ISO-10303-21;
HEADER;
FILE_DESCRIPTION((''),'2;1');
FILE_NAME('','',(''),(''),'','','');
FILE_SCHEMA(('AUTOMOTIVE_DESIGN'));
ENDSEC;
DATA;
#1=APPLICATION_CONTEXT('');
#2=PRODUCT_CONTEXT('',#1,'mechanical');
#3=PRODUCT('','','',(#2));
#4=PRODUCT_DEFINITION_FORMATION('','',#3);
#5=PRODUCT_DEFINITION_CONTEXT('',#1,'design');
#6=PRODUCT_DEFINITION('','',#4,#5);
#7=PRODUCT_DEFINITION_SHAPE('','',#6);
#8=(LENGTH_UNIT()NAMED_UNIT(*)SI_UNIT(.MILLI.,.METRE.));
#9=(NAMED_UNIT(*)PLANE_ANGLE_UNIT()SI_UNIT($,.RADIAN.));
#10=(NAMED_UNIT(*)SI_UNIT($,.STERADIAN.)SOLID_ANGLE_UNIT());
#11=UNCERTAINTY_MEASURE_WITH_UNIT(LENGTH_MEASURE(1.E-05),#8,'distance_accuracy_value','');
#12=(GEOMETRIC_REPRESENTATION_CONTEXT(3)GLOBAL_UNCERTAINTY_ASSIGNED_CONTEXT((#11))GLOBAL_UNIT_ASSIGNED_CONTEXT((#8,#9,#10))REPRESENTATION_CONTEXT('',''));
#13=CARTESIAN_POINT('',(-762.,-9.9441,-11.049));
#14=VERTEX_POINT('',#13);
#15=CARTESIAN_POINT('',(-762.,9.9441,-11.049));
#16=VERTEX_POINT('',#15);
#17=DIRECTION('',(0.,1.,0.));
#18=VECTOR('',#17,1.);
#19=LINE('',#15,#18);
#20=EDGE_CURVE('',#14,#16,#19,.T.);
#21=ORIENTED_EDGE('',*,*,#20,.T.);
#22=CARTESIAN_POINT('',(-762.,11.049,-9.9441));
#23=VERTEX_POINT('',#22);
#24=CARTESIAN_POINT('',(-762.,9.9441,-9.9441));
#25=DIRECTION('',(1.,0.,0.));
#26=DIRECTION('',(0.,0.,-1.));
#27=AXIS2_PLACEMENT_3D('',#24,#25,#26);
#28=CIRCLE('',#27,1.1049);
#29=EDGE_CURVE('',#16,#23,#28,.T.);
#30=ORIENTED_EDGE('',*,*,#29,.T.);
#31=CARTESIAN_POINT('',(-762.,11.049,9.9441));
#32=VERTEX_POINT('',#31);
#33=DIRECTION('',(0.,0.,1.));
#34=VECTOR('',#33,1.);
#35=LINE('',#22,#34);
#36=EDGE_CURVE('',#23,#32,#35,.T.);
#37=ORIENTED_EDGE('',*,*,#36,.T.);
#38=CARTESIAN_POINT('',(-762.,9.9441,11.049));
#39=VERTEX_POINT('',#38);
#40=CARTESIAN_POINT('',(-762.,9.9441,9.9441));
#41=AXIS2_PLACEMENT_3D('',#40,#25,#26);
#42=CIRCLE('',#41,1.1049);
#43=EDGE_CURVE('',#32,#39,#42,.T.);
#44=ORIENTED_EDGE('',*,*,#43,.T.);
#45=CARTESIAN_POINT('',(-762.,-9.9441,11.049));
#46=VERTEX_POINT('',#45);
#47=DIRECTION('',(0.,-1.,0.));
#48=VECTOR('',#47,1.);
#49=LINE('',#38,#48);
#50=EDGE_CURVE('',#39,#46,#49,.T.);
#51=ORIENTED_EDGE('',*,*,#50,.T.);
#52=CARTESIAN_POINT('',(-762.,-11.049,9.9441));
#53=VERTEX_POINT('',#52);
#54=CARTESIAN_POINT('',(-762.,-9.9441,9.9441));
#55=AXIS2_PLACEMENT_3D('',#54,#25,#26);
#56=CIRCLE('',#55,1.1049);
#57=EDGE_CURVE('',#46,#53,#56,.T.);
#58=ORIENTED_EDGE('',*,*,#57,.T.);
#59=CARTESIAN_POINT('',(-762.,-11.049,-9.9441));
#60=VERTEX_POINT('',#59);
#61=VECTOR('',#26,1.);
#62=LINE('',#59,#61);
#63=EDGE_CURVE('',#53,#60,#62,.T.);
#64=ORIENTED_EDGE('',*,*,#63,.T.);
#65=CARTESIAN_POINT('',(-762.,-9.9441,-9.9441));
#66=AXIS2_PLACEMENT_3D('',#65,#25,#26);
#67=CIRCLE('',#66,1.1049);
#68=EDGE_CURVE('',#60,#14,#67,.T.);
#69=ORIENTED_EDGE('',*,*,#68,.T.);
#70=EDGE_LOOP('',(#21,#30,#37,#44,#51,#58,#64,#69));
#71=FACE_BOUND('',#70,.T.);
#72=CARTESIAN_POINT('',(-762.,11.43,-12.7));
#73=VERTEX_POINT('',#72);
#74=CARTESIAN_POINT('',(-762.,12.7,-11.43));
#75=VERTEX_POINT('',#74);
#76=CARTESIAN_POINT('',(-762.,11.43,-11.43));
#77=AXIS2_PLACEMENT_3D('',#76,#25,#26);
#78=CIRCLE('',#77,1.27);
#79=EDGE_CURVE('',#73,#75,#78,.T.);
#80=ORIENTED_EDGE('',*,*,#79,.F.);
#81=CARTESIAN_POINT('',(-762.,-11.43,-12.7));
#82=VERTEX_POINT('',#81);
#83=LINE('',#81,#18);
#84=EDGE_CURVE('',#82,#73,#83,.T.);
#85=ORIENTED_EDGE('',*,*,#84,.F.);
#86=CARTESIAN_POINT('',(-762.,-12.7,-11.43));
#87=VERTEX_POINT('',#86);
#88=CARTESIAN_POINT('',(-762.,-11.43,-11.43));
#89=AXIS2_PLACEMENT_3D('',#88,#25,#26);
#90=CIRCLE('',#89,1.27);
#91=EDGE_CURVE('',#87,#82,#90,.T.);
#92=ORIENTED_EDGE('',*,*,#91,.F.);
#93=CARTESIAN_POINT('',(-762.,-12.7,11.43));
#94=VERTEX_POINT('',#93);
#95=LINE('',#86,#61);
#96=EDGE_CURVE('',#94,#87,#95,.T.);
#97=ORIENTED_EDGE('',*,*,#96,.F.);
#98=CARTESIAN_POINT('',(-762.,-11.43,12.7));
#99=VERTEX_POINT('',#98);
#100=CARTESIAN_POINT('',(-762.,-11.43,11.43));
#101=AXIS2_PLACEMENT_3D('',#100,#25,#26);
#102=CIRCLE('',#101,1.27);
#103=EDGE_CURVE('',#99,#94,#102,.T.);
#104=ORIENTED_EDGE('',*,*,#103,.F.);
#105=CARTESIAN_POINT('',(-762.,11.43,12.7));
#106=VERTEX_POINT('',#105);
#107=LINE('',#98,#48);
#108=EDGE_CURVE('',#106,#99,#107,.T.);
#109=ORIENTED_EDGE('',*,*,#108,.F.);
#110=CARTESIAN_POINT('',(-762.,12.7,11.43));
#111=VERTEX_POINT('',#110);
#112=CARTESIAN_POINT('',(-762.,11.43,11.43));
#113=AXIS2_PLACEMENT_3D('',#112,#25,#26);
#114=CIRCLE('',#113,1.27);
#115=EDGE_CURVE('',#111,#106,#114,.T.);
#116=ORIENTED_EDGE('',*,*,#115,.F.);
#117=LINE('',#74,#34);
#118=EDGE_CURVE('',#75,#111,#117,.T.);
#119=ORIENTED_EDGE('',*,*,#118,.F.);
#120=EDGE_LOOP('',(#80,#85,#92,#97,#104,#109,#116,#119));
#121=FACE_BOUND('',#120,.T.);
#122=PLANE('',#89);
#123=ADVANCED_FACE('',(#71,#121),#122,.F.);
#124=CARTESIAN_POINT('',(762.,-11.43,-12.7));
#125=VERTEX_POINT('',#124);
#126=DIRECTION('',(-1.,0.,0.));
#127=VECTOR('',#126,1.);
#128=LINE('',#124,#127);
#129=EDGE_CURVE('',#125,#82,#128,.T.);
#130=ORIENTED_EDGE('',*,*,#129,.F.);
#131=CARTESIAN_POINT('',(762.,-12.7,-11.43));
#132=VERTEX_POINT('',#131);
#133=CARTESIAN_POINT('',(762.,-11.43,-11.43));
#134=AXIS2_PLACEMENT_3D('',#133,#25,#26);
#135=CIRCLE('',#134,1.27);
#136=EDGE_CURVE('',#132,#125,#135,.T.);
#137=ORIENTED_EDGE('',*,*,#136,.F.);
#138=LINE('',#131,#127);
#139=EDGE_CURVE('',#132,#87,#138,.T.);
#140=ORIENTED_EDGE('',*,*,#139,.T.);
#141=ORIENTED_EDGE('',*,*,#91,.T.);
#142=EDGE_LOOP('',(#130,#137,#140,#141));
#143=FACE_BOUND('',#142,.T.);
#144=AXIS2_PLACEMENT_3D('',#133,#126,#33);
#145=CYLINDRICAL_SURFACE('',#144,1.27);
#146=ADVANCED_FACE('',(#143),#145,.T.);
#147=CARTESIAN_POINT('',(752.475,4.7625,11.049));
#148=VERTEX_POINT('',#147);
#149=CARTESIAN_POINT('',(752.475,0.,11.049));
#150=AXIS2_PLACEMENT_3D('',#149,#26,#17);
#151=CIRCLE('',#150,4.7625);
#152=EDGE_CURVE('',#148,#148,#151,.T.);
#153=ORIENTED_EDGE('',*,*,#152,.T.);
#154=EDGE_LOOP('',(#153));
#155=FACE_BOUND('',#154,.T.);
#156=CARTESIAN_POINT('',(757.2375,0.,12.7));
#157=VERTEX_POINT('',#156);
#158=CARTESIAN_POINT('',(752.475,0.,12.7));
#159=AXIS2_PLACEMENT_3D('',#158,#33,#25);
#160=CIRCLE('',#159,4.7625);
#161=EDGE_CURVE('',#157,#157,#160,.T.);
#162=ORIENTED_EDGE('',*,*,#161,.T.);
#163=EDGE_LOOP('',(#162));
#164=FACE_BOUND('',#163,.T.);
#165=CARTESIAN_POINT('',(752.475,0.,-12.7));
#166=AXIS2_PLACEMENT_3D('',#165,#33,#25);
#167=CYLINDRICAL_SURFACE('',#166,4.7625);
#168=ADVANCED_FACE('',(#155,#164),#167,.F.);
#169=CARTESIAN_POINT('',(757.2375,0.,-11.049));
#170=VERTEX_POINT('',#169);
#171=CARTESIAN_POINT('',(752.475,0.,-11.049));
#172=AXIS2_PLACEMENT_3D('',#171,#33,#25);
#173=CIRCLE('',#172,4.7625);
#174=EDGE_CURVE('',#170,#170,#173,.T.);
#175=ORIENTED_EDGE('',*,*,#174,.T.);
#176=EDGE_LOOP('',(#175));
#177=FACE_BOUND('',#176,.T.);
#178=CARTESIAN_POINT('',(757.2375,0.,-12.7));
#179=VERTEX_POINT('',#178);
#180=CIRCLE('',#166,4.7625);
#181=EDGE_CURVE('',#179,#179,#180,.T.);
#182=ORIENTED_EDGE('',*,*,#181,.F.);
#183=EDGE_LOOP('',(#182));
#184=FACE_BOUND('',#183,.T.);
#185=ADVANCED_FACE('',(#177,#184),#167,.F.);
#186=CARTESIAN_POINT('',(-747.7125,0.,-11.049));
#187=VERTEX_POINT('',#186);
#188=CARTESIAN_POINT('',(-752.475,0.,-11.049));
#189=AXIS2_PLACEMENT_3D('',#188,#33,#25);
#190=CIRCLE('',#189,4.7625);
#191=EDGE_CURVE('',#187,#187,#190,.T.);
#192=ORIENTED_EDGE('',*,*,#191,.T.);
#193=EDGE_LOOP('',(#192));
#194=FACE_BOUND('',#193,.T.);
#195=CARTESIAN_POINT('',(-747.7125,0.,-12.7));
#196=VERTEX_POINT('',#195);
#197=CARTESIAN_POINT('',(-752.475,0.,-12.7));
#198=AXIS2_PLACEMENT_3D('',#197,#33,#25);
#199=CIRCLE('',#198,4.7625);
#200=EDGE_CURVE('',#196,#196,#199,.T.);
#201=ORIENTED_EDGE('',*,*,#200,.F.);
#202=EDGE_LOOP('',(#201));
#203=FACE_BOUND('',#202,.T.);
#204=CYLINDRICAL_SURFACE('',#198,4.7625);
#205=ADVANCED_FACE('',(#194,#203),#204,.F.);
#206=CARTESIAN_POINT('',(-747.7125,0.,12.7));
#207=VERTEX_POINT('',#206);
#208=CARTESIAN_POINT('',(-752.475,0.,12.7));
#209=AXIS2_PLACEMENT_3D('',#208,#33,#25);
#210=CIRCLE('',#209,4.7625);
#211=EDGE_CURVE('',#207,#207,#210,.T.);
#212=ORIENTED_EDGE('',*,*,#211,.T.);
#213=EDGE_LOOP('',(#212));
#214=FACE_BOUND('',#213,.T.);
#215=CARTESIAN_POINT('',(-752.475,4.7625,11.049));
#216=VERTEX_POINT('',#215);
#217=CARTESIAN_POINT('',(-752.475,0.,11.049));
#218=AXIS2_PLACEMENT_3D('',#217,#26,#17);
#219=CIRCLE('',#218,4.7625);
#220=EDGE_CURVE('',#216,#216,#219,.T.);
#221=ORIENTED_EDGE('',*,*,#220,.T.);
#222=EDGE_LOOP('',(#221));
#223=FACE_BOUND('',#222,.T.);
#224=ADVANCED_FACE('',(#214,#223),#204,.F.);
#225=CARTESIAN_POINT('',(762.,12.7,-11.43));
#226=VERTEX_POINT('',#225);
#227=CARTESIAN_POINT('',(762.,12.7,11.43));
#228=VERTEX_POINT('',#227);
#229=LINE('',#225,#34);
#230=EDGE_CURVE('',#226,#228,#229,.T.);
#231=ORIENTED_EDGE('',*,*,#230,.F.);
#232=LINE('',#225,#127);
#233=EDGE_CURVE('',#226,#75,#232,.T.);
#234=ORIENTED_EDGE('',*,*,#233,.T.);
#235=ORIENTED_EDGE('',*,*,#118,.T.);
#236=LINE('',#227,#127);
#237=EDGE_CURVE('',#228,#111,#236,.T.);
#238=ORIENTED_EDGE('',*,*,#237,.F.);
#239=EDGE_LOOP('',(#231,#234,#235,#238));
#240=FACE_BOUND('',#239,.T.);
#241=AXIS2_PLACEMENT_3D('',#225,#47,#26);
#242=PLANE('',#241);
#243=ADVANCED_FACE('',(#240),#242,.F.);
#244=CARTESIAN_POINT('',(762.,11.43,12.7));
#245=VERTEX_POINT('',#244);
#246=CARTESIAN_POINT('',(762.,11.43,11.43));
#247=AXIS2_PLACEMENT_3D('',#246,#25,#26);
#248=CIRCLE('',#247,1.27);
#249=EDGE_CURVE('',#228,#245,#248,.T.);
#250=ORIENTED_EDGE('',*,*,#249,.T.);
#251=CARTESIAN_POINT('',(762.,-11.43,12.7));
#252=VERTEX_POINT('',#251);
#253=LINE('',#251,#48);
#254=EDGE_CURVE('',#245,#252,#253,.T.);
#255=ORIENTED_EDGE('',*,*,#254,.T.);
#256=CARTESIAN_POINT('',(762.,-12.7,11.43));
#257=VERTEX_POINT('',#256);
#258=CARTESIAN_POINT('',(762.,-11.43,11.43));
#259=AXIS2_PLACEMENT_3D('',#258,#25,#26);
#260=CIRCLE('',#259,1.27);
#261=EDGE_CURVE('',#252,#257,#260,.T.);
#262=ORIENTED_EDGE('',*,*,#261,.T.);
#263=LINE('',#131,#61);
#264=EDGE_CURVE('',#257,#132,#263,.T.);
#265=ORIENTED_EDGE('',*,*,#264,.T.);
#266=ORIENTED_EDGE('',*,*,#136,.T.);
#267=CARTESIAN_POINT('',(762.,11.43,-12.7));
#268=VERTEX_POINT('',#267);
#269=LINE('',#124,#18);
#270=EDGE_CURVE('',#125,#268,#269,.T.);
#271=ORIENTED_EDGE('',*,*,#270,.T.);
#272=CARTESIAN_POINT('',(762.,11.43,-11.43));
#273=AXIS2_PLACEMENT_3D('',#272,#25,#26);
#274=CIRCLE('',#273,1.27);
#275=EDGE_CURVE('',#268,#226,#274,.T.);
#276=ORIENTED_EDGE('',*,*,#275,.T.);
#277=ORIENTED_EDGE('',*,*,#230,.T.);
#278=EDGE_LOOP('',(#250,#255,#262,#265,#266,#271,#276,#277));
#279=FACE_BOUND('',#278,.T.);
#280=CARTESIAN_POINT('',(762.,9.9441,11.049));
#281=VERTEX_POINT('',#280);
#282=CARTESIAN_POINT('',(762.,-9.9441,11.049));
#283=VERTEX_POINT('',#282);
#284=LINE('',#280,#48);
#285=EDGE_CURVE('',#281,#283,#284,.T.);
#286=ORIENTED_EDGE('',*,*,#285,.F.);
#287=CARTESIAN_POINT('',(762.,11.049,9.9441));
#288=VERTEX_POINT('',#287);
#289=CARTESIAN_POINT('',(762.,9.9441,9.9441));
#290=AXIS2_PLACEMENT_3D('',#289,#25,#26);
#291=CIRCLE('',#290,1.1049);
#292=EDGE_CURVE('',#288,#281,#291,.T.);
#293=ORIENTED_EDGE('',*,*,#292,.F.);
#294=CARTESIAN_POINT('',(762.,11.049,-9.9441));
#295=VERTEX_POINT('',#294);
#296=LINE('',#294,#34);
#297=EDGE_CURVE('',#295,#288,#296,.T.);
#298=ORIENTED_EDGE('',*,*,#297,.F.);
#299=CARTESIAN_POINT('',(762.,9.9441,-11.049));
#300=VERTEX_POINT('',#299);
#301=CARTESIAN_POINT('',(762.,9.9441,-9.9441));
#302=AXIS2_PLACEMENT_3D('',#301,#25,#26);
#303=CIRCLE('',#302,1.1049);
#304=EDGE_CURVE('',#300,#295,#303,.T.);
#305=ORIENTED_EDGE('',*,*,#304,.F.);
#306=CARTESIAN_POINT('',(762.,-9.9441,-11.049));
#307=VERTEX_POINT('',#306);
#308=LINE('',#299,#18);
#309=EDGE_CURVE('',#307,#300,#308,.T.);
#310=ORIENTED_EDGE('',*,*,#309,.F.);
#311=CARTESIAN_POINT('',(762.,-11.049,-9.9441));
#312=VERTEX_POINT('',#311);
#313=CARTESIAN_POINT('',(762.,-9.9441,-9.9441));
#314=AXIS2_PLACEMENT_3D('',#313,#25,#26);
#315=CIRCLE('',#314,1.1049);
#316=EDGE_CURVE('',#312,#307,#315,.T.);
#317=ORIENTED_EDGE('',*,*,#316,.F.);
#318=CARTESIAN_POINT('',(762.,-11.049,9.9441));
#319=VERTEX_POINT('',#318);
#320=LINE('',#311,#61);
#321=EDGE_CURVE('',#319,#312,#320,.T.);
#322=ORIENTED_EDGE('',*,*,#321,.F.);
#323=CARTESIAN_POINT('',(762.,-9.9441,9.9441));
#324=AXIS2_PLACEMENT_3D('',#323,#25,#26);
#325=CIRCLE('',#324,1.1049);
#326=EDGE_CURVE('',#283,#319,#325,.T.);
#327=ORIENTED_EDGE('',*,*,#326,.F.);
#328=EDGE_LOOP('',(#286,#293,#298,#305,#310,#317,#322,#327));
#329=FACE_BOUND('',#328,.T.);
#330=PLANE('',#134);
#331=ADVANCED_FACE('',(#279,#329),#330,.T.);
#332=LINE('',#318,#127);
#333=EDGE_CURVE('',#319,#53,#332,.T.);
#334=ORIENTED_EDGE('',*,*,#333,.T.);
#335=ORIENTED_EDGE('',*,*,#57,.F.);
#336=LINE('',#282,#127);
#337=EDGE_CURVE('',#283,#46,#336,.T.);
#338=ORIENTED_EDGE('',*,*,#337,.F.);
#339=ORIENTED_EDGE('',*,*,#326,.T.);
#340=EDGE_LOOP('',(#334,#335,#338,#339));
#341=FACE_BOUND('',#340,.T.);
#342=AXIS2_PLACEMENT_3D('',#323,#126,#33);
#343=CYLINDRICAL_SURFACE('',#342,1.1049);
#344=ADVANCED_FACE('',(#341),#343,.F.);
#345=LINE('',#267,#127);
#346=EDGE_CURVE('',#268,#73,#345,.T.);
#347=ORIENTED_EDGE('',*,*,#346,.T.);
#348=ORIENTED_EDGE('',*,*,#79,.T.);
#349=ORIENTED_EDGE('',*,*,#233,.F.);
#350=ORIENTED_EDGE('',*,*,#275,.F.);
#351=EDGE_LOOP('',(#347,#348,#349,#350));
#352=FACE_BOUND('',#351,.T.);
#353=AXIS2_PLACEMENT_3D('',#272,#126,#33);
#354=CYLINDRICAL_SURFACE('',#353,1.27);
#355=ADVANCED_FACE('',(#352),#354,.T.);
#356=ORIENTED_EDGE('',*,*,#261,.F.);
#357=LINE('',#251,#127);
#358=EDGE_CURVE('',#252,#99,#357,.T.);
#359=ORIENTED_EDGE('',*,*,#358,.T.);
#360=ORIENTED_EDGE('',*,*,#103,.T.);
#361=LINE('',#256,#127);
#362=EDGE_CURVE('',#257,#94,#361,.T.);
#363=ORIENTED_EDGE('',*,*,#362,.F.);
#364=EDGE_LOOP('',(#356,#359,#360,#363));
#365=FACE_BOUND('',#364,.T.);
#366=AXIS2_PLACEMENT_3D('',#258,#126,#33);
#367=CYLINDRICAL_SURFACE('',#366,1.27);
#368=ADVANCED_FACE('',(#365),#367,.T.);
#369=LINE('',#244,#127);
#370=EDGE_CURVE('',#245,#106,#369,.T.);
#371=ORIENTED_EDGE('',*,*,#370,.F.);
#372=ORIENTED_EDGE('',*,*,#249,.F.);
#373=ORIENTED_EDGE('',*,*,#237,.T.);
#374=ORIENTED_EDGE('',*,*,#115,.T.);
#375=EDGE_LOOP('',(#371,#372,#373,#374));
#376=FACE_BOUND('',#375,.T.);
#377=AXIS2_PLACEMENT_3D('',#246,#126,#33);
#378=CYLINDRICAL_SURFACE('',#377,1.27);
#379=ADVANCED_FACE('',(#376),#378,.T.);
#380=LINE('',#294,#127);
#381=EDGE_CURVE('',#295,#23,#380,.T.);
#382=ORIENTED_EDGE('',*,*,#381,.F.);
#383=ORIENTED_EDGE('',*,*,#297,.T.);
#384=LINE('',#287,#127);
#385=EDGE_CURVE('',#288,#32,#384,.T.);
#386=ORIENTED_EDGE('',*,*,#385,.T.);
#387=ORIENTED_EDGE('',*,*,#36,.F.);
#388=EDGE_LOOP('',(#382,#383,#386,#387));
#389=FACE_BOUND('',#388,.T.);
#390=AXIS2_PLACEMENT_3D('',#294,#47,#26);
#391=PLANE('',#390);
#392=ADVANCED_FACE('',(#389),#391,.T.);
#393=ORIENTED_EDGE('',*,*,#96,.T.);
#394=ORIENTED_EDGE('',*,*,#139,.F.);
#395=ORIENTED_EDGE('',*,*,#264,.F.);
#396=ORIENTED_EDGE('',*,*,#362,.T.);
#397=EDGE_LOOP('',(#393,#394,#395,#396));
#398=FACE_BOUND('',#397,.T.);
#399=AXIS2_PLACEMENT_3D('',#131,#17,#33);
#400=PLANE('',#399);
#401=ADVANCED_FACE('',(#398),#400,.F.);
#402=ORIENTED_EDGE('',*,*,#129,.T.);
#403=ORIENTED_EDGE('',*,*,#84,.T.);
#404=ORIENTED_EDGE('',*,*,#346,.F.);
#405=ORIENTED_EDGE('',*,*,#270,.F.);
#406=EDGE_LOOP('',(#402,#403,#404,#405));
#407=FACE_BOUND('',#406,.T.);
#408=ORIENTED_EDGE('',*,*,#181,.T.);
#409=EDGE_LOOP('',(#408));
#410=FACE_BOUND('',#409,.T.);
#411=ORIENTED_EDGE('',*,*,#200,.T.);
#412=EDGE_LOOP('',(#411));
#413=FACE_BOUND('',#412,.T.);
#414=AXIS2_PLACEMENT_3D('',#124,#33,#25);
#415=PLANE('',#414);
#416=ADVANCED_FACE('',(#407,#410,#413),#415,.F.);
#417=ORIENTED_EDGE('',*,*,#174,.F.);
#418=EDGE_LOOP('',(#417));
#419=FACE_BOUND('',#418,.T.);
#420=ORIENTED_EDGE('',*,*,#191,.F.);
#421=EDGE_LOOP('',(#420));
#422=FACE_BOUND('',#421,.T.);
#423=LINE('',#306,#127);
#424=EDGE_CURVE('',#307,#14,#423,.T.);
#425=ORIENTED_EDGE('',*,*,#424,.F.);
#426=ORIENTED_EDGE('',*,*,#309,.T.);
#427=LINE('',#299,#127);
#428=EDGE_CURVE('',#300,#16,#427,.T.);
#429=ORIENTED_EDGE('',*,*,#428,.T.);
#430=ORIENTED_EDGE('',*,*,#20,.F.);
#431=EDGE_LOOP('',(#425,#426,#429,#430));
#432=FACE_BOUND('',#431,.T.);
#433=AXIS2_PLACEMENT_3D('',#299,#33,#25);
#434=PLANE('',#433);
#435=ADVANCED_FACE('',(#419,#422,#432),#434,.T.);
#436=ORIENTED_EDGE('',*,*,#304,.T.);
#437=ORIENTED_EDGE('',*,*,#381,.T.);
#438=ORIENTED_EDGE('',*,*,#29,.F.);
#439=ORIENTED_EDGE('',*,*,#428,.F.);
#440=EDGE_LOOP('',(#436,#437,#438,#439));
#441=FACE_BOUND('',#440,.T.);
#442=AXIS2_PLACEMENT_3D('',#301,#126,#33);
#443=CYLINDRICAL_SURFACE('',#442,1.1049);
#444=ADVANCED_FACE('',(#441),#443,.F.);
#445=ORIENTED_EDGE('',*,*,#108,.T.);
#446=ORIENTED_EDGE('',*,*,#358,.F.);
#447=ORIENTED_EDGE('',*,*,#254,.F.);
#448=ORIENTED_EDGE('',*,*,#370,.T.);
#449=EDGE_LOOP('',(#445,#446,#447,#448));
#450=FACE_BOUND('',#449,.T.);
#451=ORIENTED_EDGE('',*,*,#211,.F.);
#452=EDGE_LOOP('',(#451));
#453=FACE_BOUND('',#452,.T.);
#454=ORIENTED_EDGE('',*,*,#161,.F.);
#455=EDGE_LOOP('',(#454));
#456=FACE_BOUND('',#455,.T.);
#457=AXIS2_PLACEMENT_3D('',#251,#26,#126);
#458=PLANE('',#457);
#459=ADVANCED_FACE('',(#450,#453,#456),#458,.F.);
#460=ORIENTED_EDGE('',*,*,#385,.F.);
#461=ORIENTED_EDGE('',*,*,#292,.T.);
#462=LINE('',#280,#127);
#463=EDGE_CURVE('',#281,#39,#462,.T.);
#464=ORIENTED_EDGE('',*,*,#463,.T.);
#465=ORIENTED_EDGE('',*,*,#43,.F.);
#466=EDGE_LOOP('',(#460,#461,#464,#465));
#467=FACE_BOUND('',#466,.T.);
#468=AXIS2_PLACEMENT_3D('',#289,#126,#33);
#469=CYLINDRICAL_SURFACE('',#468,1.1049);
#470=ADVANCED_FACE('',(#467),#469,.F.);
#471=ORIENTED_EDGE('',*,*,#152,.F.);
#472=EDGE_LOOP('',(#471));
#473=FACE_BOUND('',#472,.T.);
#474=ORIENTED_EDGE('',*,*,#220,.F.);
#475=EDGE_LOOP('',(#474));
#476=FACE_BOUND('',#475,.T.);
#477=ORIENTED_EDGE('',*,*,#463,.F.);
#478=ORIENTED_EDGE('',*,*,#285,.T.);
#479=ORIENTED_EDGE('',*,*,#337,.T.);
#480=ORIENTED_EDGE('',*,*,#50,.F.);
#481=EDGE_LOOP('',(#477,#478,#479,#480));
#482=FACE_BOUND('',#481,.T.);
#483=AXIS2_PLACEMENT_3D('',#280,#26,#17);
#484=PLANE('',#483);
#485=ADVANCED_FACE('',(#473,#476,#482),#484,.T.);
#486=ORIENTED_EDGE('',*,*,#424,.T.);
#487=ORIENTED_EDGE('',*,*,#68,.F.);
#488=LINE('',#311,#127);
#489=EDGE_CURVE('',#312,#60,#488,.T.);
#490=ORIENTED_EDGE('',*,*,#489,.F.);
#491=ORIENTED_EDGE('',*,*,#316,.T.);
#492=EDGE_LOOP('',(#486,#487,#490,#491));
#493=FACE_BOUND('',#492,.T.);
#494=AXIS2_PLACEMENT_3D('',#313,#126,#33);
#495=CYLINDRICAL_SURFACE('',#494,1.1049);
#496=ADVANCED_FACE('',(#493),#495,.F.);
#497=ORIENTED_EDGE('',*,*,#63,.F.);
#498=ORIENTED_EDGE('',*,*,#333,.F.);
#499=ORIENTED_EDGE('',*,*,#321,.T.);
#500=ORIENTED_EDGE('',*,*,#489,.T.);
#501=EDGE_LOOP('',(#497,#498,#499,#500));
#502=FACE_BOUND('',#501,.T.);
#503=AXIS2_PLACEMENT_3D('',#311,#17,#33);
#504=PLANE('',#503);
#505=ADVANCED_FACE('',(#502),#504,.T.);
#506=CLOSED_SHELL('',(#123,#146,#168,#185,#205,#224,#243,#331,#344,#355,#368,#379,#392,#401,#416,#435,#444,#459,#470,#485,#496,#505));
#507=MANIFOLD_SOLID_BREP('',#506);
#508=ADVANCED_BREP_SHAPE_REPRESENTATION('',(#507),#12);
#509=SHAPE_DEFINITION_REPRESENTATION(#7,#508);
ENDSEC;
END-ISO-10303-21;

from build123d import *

# Parameters (mm, degrees)
BOSS_EXTRUDE1_DEPTH      = 762
BOSS_EXTRUDE1_DEPTH_BACK = 762
SKETCH6_R                = 4.7625
CUT_EXTRUDE1_DEPTH       = 763.528983056


with BuildPart() as part:
    # Sketch4 → Boss-Extrude1 (new, two sides: drawn at the far end of the back side and taken through both)
    with BuildSketch(Plane(origin=(0, 0, 0), x_dir=(0, 0, -1), z_dir=(1, 0, 0)).offset(-BOSS_EXTRUDE1_DEPTH_BACK)):
        with BuildLine():
            Line((12.7, -11.43), (12.7, 11.43))
            ThreePointArc((12.7, 11.43), (12.328025612, 12.328025612), (11.43, 12.7))
            Line((11.43, 12.7), (-11.43, 12.7))
            ThreePointArc((-11.43, 12.7), (-12.328025612, 12.328025612), (-12.7, 11.43))
            Line((-12.7, 11.43), (-12.7, -11.43))
            ThreePointArc((-12.7, -11.43), (-12.328025612, -12.328025612), (-11.43, -12.7))
            Line((-11.43, -12.7), (11.43, -12.7))
            ThreePointArc((11.43, -12.7), (12.328025612, -12.328025612), (12.7, -11.43))
        make_face()
        with BuildLine():
            Line((11.049, 9.9441), (11.049, -9.9441))
            ThreePointArc((11.049, -9.9441), (10.725382283, -10.725382283), (9.9441, -11.049))
            Line((9.9441, -11.049), (-9.9441, -11.049))
            ThreePointArc((-9.9441, -11.049), (-10.725382283, -10.725382283), (-11.049, -9.9441))
            Line((-11.049, -9.9441), (-11.049, 9.9441))
            ThreePointArc((-11.049, 9.9441), (-10.725382283, 10.725382283), (-9.9441, 11.049))
            Line((-9.9441, 11.049), (9.9441, 11.049))
            ThreePointArc((9.9441, 11.049), (10.725382283, 10.725382283), (11.049, 9.9441))
        make_face(mode=Mode.SUBTRACT)
    extrude(amount=BOSS_EXTRUDE1_DEPTH + BOSS_EXTRUDE1_DEPTH_BACK)

    # Sketch6 → Cut-Extrude1 (cut, through all)
    with BuildSketch(Plane.XY.offset(12.7)):
        with Locations((752.475, 0)):
            Circle(SKETCH6_R)
        with Locations((-752.475, 0)):
            Circle(SKETCH6_R)
    extrude(amount=-CUT_EXTRUDE1_DEPTH, mode=Mode.SUBTRACT)


solid = part.part
